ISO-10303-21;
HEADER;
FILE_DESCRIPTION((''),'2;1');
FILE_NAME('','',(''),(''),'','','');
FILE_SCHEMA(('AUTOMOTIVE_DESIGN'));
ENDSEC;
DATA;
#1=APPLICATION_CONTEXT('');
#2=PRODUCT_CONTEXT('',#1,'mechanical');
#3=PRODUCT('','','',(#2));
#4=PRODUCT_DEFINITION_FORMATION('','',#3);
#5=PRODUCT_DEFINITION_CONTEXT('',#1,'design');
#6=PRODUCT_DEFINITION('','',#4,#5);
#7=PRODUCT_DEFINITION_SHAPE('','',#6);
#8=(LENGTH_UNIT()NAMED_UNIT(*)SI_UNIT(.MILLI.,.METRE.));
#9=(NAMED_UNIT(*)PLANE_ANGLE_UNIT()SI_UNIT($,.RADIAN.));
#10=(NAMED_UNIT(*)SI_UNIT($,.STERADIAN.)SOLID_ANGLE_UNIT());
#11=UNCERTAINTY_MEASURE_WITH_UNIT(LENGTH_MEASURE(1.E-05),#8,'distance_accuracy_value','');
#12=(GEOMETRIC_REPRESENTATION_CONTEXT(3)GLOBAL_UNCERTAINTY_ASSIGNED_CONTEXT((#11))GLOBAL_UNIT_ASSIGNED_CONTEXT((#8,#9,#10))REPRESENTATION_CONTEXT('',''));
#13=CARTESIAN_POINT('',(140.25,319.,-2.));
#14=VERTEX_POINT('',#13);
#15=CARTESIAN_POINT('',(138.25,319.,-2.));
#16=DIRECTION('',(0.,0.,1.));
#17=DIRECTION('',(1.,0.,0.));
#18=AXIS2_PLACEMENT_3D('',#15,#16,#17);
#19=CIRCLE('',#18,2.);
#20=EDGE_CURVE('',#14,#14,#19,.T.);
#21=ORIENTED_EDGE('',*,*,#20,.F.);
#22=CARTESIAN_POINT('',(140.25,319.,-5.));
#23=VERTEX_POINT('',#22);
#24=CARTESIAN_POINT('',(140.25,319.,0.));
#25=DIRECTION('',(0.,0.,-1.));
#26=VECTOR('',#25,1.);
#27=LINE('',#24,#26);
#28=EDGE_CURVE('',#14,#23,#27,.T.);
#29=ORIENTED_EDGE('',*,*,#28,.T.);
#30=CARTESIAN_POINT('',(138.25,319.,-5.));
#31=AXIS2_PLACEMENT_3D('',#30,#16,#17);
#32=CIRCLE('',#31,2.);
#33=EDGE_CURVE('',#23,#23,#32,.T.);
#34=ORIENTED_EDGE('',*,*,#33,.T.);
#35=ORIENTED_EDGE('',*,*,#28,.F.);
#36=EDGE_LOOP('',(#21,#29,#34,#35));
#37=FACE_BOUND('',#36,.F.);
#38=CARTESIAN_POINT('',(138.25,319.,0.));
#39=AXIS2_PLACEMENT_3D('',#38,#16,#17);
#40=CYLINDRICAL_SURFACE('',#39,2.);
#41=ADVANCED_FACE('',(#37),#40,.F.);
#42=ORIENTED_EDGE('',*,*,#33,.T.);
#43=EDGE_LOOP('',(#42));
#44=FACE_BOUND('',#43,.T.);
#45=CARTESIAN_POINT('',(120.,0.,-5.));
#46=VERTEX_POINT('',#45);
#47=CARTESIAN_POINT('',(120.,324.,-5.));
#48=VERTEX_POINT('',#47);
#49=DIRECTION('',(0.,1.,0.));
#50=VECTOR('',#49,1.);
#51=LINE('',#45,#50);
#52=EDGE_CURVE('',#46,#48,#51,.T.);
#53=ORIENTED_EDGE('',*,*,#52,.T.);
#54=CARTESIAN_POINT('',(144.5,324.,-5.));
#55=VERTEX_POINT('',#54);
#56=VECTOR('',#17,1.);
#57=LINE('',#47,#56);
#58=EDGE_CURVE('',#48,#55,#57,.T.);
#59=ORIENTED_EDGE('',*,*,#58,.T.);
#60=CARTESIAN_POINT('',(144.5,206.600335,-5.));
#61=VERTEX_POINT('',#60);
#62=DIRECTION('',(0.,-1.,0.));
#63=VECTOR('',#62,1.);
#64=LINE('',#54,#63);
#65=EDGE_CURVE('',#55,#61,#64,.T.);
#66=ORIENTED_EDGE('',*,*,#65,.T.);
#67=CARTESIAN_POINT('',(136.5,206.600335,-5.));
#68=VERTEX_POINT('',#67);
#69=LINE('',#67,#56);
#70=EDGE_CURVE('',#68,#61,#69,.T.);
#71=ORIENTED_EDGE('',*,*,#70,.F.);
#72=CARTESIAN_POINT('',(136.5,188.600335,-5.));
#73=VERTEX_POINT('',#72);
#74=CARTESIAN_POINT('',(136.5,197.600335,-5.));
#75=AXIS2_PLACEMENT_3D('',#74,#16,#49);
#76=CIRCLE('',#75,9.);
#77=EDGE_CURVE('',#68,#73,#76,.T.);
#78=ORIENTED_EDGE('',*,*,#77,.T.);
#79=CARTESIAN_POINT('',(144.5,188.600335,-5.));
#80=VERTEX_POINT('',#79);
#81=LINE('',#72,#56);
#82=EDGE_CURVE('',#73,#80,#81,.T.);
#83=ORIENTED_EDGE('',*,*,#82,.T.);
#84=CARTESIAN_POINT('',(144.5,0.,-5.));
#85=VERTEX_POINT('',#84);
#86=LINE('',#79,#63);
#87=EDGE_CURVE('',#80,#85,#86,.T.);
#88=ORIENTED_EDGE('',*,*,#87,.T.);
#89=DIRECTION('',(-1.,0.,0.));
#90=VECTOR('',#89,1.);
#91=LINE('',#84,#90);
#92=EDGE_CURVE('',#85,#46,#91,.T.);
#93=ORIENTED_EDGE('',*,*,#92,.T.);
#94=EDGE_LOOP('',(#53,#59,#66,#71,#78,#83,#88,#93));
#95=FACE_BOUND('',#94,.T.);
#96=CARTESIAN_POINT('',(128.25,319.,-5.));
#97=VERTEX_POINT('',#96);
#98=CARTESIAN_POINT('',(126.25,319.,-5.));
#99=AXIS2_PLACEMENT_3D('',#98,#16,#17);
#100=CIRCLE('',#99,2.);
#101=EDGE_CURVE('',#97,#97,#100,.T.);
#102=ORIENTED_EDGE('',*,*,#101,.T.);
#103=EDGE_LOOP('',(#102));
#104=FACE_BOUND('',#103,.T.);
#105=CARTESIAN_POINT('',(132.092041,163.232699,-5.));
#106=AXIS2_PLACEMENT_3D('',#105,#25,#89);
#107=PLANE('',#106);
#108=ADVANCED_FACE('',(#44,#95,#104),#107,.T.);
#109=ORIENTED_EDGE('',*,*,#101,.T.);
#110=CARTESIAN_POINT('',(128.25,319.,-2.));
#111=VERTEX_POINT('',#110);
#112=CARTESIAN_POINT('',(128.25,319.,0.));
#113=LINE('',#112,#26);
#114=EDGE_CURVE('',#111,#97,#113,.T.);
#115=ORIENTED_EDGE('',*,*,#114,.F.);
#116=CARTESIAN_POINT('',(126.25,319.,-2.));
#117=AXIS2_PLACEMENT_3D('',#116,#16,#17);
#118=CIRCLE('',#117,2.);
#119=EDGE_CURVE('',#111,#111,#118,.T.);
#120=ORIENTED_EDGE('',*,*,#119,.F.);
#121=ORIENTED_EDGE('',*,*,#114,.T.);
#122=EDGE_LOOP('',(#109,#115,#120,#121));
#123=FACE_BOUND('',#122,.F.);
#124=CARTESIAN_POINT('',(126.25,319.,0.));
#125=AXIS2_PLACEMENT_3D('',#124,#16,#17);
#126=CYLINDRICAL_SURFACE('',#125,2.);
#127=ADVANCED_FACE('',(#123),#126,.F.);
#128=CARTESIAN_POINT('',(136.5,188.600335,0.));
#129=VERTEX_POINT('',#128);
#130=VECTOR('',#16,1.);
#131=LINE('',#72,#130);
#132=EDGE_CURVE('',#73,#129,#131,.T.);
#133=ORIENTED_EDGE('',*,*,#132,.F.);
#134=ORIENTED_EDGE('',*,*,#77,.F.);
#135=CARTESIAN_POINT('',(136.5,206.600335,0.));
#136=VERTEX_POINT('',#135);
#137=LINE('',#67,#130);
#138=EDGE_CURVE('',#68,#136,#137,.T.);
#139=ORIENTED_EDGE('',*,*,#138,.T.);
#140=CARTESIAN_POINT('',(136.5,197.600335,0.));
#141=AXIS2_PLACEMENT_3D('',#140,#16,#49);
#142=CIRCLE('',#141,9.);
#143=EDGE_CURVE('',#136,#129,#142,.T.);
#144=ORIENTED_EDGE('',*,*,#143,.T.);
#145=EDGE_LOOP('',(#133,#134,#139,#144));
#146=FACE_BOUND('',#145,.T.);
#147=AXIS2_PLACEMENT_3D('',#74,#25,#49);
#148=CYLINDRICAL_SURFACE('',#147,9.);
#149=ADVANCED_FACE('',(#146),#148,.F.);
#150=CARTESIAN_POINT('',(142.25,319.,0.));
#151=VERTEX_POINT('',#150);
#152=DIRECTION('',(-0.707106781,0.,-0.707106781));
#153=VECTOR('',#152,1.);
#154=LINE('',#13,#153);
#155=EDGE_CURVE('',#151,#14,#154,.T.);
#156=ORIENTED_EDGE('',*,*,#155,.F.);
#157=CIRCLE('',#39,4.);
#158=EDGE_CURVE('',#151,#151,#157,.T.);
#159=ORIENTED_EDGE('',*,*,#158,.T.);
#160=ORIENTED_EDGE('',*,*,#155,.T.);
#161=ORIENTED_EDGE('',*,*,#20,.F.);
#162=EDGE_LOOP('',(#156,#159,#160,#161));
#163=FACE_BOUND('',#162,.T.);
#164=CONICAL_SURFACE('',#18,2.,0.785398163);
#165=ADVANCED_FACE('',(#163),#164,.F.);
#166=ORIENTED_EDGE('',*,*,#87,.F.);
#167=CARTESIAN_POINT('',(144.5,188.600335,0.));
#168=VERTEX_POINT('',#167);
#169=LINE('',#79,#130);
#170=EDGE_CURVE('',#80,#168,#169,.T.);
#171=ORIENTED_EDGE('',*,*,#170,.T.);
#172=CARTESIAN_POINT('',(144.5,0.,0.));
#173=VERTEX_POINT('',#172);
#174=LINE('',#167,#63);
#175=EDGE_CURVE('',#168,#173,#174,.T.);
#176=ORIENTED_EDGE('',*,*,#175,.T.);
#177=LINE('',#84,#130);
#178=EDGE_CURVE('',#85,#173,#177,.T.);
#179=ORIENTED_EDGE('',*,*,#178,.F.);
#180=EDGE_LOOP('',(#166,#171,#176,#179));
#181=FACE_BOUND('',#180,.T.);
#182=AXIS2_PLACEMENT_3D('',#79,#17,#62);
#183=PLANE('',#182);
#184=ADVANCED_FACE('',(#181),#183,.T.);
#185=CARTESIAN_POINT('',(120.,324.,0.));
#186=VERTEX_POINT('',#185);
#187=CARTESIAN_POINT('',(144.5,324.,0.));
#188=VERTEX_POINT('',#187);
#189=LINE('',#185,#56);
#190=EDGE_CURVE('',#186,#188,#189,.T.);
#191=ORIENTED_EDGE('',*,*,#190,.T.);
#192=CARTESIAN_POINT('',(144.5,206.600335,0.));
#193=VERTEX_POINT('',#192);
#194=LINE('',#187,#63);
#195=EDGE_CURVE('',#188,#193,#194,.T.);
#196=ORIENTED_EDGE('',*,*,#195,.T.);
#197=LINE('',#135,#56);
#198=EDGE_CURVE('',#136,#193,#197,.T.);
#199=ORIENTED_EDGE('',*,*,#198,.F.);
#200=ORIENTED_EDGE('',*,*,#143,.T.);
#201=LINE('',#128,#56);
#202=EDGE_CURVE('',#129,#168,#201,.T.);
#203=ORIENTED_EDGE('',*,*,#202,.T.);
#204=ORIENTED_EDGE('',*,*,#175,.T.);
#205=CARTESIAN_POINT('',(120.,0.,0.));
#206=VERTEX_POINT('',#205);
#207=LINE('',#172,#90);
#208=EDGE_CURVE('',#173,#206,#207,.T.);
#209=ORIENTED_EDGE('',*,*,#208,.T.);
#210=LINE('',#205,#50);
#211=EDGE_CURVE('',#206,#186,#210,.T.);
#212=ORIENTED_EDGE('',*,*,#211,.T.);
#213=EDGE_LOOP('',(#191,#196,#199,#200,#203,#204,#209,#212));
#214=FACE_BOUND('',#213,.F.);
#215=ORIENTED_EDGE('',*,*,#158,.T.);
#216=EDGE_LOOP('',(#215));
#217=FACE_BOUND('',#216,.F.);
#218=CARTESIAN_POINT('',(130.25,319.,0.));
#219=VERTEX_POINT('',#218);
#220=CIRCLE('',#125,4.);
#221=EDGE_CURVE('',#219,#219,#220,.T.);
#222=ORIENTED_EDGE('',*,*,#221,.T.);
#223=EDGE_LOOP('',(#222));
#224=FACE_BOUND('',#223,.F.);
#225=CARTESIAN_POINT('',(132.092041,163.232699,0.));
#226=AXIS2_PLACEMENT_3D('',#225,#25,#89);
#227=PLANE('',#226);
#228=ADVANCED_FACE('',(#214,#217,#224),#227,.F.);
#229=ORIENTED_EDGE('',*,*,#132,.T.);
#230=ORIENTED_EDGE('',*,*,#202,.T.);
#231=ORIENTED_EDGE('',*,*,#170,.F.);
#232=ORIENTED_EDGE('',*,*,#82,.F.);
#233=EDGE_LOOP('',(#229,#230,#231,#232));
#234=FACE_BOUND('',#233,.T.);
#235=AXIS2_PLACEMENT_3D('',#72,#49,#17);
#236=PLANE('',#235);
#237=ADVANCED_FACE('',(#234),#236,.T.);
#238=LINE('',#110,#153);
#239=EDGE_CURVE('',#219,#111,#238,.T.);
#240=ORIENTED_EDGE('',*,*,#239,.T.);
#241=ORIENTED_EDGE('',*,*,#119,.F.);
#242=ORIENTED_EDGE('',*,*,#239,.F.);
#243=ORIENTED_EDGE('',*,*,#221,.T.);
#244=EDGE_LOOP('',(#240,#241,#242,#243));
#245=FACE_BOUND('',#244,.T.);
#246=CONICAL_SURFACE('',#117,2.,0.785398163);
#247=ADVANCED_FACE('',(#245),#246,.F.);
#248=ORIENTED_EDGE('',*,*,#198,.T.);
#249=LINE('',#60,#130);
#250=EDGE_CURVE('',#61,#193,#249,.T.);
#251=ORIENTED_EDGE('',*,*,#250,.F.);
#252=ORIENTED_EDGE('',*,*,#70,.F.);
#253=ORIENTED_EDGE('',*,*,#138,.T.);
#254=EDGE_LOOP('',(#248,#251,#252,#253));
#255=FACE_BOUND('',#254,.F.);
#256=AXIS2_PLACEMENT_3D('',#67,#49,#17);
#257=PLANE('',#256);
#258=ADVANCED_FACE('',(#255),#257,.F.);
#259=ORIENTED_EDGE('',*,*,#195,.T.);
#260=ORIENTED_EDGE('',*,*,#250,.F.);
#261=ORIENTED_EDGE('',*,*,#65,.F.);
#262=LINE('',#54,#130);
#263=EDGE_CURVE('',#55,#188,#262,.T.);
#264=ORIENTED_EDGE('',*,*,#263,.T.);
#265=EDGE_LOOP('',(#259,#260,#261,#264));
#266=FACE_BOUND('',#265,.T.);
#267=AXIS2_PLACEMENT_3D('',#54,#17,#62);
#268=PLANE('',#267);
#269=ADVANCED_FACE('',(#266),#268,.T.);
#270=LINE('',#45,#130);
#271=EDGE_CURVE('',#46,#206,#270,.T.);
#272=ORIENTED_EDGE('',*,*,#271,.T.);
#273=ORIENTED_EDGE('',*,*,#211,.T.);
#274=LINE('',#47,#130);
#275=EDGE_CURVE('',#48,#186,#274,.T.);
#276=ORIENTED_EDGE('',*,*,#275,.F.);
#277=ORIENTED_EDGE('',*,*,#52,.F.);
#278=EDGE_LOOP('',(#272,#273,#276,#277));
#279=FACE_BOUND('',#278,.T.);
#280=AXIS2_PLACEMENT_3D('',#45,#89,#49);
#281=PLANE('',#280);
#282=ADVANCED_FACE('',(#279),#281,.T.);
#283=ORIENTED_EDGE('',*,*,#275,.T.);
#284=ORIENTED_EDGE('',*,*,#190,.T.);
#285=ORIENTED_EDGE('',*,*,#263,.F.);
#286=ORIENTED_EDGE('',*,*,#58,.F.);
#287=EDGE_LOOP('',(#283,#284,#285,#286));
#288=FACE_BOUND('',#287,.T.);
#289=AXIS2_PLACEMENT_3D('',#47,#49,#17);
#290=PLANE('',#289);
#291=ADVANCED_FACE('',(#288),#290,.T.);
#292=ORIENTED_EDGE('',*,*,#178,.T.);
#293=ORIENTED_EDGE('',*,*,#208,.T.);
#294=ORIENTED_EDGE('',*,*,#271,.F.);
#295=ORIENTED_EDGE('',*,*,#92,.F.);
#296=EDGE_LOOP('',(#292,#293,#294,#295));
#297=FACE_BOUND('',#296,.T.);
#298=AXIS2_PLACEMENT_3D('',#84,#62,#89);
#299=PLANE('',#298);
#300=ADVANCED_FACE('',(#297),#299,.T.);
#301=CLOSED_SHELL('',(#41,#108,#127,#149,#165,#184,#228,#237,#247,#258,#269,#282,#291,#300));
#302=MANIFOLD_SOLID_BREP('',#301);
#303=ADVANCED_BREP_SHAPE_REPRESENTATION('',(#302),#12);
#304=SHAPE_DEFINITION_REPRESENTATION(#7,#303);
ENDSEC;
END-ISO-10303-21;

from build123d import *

# Parameters (mm, degrees)
PAD028_DEPTH    = 5
SKETCH060_R     = 2
POCKET038_DEPTH = 5.001
CHAMFER022_SIZE = 2


with BuildPart() as part:
    # Sketch055 → Pad028 (new body)
    with BuildSketch(Plane.XY):
        with BuildLine():
            Line((98.676816, 80.800335), (98.676816, -107.8))
            Line((98.676816, -107.8), (74.176816, -107.8))
            Line((74.176816, -107.8), (74.176816, 216.2))
            Line((74.176816, 216.2), (98.676816, 216.2))
            Line((98.676816, 216.2), (98.676816, 98.800335))
            Line((90.676816, 98.800335), (98.676816, 98.800335))
            ThreePointArc((90.676816, 98.800335), (81.676816, 89.800335), (90.676816, 80.800335))
            Line((90.676816, 80.800335), (98.676816, 80.800335))
        make_face()
    extrude(amount=PAD028_DEPTH)

    # Sketch060 (on Face10 of Pad028) → Pocket038 (cut, through all)
    with BuildSketch(Plane.XY.offset(5)):
        with Locations((80.426816, 211.2)):
            Circle(SKETCH060_R)
        with Locations((92.426816, 211.2)):
            Circle(SKETCH060_R)
    extrude(amount=-POCKET038_DEPTH, mode=Mode.SUBTRACT)

    # Chamfer022
    chamfer022_edges = [part.edges().sort_by_distance(p)[0] for p in [
        (78.426816, 211.2, 5),
        (90.426816, 211.2, 5),
    ]]
    chamfer(chamfer022_edges, length=CHAMFER022_SIZE)


with BuildPart() as part_1:
    # Body021 placement: moved
    add(part.part.moved(Location((-150, 0, 15.5))))


with BuildPart() as part_2:
    # Clone005 placement: moved
    add(part_1.part.moved(Location((195.823184, 107.8, -20.5))))


solid = part_2.part
